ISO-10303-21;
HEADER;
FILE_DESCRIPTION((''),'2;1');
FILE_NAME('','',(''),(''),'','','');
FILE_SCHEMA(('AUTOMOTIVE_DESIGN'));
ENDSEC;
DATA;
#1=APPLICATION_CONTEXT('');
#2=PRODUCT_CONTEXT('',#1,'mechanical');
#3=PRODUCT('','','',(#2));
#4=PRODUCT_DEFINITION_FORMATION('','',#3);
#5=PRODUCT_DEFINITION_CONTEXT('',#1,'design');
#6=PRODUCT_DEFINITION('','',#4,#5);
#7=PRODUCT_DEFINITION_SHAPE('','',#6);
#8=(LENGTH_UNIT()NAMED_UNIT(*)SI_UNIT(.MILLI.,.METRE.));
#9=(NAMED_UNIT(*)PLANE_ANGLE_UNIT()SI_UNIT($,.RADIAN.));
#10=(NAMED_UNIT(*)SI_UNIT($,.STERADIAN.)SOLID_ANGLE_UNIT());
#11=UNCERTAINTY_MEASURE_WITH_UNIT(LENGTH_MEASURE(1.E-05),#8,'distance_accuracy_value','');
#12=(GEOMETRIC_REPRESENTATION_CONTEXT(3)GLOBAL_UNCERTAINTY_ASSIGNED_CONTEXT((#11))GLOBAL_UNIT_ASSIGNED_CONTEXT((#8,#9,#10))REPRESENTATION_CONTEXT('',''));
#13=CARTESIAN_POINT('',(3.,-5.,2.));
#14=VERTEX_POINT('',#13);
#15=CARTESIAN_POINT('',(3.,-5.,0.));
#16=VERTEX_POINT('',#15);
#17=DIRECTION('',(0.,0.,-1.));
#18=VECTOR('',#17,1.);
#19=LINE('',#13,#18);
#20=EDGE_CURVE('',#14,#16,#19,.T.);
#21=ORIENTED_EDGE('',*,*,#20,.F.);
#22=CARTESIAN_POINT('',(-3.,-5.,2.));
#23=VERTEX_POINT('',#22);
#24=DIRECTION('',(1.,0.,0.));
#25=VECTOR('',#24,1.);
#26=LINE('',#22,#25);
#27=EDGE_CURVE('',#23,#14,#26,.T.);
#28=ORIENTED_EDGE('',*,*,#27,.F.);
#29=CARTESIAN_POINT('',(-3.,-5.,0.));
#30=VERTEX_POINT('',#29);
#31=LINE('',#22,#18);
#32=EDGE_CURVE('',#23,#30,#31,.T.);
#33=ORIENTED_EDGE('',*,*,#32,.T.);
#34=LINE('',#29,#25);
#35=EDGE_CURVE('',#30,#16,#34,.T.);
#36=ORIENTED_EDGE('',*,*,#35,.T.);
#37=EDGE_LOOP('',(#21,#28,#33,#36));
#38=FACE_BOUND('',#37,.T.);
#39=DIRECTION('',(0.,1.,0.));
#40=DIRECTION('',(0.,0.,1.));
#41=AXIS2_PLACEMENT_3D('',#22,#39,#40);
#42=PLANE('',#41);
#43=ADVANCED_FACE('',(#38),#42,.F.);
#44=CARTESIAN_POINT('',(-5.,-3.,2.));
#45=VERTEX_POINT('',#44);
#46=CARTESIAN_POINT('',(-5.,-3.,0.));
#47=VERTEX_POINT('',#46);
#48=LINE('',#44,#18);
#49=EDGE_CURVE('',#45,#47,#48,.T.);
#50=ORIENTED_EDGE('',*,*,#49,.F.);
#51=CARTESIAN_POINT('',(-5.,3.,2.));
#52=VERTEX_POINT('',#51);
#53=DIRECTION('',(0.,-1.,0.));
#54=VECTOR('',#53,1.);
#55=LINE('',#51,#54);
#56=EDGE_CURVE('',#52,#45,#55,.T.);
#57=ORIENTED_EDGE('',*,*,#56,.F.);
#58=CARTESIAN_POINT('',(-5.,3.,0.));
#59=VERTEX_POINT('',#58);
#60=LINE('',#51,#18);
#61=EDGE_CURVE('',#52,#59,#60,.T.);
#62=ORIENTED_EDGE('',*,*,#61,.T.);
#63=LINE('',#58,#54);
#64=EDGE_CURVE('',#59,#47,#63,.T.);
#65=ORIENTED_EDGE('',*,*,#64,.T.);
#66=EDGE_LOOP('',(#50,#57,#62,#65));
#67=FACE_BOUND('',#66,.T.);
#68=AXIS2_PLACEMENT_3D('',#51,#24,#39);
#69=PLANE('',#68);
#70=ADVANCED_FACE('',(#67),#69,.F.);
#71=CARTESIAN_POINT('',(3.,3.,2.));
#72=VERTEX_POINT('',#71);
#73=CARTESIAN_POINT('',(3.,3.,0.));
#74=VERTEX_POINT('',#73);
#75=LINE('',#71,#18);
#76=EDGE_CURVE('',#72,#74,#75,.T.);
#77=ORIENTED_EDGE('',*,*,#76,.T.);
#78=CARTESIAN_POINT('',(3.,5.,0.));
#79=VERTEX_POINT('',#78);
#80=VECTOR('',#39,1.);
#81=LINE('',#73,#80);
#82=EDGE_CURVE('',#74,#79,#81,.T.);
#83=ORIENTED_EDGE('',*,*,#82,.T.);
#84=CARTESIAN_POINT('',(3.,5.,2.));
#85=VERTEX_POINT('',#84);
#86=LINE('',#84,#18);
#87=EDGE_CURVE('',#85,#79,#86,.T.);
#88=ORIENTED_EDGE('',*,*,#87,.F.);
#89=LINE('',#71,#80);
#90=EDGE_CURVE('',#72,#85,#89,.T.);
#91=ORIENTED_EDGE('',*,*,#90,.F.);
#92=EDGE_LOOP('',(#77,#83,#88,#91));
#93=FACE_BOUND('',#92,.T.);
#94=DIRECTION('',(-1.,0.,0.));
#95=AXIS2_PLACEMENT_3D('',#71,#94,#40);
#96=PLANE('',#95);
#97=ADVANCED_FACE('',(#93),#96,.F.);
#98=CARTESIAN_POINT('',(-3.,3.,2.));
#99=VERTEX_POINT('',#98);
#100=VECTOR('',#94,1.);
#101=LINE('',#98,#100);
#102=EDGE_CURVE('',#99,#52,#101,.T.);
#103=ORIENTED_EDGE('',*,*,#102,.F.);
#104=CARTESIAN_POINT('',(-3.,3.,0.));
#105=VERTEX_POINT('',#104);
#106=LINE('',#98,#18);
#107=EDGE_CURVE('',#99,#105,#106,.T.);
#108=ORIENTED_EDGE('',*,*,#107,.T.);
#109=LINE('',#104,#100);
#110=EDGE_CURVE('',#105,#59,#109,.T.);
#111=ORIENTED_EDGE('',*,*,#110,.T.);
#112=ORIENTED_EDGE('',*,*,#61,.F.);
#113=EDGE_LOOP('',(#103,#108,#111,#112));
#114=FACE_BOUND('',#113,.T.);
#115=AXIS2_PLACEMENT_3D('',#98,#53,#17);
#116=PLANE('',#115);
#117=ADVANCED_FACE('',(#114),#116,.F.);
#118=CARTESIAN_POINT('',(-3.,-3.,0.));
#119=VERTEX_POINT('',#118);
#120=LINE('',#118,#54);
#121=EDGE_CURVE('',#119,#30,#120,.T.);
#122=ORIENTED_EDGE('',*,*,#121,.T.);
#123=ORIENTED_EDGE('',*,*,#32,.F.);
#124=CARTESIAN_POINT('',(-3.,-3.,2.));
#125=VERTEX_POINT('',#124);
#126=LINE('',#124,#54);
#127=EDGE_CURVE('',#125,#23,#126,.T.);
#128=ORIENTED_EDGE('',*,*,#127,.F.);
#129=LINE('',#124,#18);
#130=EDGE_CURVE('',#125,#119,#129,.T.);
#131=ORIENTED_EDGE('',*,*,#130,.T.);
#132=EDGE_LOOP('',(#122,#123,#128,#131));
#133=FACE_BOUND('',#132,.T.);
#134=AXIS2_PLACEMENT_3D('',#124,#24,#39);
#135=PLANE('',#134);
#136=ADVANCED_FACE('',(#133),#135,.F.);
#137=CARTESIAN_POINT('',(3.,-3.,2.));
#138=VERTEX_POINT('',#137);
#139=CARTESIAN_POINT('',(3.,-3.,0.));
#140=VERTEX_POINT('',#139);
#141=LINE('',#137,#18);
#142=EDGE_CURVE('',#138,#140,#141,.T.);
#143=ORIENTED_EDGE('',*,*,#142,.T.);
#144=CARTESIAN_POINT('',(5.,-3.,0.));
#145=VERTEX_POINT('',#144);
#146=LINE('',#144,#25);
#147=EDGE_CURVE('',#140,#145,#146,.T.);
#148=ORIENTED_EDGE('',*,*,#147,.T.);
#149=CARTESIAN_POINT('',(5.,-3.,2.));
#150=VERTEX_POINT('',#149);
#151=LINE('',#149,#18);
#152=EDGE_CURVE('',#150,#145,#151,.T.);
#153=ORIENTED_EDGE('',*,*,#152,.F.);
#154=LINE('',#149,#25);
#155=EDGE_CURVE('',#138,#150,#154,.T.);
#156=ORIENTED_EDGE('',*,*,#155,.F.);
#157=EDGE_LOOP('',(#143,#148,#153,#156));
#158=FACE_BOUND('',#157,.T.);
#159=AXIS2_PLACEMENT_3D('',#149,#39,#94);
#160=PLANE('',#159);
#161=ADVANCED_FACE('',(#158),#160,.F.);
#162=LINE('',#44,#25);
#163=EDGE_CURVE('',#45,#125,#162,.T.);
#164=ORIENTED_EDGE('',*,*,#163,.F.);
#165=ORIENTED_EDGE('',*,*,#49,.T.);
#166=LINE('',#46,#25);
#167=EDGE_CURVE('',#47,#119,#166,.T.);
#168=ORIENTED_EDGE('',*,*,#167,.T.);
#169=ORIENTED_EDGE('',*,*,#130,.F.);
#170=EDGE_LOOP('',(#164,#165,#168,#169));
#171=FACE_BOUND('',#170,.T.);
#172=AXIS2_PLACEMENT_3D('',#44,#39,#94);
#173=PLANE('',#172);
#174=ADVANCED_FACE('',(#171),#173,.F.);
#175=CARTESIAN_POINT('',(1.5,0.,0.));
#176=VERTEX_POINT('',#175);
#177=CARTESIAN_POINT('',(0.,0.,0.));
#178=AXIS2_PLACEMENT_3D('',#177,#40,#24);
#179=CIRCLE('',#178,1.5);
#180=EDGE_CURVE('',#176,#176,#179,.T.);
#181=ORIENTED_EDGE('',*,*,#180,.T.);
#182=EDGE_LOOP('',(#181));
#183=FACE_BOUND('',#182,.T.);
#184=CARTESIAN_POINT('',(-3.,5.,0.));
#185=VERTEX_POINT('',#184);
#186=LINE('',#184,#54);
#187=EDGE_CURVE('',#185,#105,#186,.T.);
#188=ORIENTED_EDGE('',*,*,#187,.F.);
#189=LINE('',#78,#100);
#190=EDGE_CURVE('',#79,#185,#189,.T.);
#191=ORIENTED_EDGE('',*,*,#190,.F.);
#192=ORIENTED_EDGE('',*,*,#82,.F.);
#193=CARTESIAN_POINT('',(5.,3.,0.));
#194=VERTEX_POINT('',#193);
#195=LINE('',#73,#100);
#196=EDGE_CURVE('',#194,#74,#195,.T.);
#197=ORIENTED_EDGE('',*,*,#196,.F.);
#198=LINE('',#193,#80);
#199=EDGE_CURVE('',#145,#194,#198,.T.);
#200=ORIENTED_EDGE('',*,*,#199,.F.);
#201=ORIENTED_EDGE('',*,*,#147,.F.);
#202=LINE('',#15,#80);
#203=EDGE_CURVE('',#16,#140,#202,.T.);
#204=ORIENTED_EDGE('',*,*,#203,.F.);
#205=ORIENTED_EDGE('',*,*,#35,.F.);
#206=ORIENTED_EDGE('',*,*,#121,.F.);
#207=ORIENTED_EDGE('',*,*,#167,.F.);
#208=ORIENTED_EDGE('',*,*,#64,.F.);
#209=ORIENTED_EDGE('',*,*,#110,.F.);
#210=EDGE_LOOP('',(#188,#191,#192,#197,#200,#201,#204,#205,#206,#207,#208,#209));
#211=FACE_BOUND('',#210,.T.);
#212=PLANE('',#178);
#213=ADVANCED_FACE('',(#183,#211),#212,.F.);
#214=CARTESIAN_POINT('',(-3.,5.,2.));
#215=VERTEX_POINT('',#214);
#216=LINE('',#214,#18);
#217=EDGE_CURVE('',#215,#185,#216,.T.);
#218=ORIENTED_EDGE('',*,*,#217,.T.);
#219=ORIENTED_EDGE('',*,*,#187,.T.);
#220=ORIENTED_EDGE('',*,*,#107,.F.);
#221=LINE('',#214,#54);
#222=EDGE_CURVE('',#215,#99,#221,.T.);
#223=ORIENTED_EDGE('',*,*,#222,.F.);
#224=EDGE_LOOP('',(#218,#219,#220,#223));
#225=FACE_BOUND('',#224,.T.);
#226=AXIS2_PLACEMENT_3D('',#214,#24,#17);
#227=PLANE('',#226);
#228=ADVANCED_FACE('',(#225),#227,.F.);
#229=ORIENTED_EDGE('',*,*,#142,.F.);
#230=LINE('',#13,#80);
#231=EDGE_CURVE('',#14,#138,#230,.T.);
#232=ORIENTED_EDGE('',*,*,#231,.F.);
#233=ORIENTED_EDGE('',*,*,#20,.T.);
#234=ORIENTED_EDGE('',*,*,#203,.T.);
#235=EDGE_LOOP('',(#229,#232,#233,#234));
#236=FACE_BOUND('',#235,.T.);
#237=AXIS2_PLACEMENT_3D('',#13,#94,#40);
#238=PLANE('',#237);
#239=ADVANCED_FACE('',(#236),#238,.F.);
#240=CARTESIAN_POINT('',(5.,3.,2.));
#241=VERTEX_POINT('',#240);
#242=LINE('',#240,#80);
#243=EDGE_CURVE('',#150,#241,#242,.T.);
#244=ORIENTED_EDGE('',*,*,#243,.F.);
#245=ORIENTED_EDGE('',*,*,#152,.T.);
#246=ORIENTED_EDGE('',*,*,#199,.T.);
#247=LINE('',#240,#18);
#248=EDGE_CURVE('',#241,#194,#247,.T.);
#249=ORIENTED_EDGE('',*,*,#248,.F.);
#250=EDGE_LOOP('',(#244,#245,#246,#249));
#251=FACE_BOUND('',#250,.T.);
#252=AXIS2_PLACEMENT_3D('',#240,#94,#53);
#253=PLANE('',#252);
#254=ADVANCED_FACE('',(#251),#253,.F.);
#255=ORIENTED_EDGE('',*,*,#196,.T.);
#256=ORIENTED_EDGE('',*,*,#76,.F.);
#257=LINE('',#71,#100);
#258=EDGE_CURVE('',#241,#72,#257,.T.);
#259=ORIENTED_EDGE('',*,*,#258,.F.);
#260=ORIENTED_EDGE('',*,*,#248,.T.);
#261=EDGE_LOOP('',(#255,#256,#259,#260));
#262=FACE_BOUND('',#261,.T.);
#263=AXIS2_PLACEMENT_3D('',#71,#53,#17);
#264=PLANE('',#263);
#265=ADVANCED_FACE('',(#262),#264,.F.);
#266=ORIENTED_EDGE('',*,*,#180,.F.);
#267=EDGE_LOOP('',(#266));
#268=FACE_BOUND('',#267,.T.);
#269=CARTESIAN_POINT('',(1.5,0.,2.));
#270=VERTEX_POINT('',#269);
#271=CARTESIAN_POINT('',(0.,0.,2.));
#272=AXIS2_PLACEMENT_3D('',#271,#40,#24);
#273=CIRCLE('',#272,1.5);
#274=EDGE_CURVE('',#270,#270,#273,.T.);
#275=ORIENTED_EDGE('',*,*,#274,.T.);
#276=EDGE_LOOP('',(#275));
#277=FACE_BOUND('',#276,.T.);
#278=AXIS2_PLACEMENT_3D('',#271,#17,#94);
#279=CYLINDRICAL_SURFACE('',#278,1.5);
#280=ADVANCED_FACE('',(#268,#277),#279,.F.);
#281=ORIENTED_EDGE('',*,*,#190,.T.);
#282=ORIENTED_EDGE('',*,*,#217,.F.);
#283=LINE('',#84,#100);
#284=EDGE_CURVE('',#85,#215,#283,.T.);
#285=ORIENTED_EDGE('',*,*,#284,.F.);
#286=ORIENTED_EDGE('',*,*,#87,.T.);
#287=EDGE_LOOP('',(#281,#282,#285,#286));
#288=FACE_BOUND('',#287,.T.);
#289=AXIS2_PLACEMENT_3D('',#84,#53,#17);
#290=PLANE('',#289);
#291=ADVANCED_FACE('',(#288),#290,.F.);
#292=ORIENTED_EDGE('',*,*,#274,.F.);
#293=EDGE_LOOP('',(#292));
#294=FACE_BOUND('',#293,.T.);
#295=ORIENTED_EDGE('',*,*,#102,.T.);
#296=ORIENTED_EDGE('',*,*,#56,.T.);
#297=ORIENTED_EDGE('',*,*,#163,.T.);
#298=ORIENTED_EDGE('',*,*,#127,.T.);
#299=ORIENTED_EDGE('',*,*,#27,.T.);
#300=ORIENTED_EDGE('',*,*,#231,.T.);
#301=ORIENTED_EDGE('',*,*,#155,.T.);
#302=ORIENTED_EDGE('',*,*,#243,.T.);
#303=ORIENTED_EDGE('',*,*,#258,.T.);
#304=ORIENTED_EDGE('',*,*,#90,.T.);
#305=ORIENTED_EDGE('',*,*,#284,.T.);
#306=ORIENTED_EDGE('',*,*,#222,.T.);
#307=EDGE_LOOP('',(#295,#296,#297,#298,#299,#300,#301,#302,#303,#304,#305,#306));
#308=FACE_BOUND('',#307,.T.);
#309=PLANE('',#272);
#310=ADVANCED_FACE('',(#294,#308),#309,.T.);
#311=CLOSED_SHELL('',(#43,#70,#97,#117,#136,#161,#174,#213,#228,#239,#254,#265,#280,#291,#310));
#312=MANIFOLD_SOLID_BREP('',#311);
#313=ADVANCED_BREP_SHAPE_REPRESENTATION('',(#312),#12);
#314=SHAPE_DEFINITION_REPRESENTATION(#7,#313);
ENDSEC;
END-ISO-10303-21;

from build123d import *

# Parameters (mm, degrees)
MODEL_R             = 1.5
BOSS_EXTRUDE1_DEPTH = 2


with BuildPart() as part:
    # Model → Boss-Extrude1 (new body)
    with BuildSketch(Plane.XY):
        Polygon((-5, -3), (-3, -3), (-3, -5), (3, -5), (3, -3), (5, -3), (5, 3), (3, 3), (3, 5), (-3, 5), (-3, 3), (-5, 3), align=None)
        Circle(MODEL_R, mode=Mode.SUBTRACT)
    extrude(amount=BOSS_EXTRUDE1_DEPTH)


solid = part.part
